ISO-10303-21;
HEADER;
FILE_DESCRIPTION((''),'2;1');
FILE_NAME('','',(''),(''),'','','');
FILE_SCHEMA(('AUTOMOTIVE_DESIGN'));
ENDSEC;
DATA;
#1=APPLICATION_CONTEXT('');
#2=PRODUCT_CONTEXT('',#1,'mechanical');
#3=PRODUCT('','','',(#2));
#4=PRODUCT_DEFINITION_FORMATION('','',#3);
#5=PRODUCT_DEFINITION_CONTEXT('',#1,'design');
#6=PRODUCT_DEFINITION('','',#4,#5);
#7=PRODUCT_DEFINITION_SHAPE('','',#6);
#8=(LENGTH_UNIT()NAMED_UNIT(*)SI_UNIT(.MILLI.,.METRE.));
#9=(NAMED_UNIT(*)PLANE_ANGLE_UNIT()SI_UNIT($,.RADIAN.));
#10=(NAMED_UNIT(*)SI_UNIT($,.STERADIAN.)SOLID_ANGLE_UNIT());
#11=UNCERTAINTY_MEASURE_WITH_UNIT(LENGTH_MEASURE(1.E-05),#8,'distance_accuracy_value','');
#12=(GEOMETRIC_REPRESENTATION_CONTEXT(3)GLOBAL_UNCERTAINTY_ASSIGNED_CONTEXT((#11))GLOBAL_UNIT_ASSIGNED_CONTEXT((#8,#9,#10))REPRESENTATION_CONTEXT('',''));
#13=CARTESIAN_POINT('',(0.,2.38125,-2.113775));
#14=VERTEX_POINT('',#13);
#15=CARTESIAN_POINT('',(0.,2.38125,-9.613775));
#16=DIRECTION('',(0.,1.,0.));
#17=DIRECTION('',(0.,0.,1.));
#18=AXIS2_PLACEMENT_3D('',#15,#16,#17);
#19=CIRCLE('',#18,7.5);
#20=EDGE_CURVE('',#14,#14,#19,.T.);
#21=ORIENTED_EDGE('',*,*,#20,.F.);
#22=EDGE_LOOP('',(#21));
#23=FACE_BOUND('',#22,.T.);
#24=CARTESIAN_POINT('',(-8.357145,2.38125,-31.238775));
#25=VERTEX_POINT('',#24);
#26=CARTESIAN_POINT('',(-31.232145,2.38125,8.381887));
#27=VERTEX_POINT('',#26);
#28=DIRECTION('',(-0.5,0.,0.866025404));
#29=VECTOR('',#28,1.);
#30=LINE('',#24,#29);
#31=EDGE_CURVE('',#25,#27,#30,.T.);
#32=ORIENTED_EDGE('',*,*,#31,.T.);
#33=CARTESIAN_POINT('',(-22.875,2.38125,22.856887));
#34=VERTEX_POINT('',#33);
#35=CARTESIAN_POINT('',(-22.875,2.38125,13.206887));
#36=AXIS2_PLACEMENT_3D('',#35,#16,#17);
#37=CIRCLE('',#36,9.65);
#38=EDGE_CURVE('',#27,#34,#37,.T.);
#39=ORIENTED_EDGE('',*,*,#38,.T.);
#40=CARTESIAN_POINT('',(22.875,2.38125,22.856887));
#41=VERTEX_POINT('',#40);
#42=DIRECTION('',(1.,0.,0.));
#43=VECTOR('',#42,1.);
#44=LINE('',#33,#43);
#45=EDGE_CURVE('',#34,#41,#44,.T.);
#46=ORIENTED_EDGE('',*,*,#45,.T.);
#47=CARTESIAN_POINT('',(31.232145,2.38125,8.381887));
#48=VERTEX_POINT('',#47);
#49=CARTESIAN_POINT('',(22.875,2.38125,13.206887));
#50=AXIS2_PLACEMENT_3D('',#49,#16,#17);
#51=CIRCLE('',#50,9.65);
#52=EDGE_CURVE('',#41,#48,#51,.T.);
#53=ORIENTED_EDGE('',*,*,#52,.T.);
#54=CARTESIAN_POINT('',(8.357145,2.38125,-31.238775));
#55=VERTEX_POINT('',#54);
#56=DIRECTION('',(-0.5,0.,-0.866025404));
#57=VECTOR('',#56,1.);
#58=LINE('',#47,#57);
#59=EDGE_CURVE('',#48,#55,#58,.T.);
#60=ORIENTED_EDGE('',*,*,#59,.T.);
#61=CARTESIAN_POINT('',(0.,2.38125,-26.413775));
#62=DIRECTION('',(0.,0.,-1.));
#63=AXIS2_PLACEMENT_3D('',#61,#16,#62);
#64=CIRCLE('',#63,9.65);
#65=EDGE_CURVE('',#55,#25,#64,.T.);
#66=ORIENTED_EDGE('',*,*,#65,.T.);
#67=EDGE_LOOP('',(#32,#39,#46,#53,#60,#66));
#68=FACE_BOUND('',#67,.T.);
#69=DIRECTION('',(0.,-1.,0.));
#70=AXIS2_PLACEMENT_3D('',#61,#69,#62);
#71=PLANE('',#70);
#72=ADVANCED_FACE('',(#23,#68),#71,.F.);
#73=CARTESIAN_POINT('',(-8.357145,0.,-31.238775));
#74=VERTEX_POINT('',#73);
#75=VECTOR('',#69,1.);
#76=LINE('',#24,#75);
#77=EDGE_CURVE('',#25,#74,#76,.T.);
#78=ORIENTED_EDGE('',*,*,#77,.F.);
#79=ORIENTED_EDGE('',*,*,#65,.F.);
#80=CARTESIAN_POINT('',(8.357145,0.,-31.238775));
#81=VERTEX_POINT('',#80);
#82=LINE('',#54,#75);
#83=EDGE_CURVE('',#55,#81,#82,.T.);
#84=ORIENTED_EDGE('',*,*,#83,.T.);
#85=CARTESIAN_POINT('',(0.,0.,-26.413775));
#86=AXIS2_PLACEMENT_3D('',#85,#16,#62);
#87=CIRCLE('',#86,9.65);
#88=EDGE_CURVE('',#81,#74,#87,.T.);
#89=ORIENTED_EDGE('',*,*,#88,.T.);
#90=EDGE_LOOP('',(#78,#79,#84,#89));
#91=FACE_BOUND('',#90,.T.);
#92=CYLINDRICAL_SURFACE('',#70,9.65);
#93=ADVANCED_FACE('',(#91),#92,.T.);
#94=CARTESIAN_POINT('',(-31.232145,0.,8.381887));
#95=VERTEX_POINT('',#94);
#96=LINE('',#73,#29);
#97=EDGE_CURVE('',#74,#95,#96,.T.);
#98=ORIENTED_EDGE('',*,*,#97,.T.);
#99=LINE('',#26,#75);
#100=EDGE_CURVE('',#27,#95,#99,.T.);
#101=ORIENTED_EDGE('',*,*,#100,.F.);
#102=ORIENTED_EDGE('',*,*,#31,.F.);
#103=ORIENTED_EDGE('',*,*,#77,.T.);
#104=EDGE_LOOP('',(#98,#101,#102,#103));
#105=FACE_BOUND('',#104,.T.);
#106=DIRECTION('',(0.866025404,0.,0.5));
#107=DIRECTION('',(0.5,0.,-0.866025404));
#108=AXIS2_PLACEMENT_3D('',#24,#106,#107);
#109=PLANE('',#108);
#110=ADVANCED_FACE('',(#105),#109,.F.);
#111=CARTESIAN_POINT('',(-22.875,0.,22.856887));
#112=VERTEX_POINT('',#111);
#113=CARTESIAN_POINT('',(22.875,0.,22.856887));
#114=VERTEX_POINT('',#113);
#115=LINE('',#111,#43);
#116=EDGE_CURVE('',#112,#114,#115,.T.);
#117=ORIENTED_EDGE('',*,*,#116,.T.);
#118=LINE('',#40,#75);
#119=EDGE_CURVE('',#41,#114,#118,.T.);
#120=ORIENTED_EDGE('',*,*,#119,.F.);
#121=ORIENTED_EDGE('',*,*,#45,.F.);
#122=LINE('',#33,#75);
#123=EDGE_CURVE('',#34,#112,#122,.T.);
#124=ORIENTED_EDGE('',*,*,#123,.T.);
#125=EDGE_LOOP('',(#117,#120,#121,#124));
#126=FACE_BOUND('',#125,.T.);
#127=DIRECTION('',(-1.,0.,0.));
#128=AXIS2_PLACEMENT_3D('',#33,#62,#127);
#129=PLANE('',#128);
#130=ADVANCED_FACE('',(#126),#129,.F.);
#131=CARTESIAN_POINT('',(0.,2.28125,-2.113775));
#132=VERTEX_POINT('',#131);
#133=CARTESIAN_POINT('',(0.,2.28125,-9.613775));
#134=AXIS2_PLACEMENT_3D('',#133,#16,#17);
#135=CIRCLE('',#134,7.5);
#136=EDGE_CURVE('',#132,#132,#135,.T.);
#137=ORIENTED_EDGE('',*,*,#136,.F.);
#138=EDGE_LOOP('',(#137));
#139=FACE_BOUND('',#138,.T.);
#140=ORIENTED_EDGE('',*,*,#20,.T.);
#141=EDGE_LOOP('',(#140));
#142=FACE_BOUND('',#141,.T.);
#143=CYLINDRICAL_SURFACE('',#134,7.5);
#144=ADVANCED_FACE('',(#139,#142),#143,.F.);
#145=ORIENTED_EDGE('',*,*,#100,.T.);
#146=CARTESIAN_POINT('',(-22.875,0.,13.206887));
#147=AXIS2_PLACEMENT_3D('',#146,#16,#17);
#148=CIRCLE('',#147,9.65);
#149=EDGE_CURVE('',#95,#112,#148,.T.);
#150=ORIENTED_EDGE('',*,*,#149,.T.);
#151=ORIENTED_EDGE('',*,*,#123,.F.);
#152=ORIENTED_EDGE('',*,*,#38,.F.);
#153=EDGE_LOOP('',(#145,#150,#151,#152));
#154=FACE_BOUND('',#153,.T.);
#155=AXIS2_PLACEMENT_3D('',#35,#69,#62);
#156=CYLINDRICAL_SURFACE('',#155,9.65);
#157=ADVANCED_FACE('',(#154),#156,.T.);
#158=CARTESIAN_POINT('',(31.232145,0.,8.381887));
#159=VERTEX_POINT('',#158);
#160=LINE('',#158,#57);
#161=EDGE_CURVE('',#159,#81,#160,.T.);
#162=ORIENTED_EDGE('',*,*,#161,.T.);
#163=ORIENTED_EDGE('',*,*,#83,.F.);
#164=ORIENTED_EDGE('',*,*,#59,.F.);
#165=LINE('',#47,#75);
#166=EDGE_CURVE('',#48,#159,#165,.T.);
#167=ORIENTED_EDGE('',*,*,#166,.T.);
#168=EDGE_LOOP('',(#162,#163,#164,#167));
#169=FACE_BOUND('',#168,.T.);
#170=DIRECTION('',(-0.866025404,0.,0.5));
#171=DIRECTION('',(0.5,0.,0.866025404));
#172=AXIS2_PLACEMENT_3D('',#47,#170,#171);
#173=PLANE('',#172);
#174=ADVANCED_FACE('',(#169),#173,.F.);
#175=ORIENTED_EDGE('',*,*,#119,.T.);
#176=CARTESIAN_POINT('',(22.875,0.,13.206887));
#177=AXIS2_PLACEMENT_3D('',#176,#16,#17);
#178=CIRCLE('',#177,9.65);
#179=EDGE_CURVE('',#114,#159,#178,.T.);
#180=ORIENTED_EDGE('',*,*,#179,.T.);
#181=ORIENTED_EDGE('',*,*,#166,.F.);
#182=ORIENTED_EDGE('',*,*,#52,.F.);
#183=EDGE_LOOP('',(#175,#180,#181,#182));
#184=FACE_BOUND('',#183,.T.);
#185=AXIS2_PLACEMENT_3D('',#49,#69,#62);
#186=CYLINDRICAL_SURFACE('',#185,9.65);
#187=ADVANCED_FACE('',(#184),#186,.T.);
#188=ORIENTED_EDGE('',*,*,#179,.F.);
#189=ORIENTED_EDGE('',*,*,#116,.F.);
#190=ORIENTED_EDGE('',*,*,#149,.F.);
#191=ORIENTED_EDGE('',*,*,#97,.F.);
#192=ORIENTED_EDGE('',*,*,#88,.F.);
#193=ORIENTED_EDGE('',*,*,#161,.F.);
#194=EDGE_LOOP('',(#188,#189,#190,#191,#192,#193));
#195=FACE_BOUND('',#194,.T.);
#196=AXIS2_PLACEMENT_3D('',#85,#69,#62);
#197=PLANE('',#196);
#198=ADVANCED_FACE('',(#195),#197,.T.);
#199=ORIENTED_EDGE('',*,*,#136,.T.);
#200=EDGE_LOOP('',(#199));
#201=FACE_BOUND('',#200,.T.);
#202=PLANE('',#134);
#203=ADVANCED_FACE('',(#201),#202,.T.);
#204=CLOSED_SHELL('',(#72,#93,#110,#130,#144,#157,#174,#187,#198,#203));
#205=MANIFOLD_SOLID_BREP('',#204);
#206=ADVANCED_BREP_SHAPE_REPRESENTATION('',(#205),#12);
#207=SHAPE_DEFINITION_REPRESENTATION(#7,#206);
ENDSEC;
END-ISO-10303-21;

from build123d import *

# Parameters (mm, degrees)
BOSS_EXTRUDE1_DEPTH = 2.38125
SKETCH2_R           = 7.5
CUT_EXTRUDE1_DEPTH  = 0.1


with BuildPart() as part:
    # Sketch1 → Boss-Extrude1 (new body)
    with BuildSketch(Plane(origin=(0, 0, 0), x_dir=(1, 0, 0), z_dir=(0, 1, 0))):
        with BuildLine():
            Line((-8.357145147, 31.238774815), (-31.232145147, -8.381887408))
            ThreePointArc((-31.232145147, -8.381887408), (-31.232145147, -18.031887408), (-22.875, -22.856887408))
            Line((-22.875, -22.856887408), (22.875, -22.856887408))
            ThreePointArc((22.875, -22.856887408), (31.232145147, -18.031887408), (31.232145147, -8.381887408))
            Line((31.232145147, -8.381887408), (8.357145147, 31.238774815))
            ThreePointArc((8.357145147, 31.238774815), (0, 36.063774815), (-8.357145147, 31.238774815))
        make_face()
    extrude(amount=BOSS_EXTRUDE1_DEPTH)

    # Sketch2 → Cut-Extrude1 (cut)
    with BuildSketch(Plane(origin=(0, 2.38125, 0), x_dir=(1, 0, 0), z_dir=(0, 1, 0))):
        with Locations((0, 9.613774815)):
            Circle(SKETCH2_R)
    extrude(amount=-CUT_EXTRUDE1_DEPTH, mode=Mode.SUBTRACT)


solid = part.part
